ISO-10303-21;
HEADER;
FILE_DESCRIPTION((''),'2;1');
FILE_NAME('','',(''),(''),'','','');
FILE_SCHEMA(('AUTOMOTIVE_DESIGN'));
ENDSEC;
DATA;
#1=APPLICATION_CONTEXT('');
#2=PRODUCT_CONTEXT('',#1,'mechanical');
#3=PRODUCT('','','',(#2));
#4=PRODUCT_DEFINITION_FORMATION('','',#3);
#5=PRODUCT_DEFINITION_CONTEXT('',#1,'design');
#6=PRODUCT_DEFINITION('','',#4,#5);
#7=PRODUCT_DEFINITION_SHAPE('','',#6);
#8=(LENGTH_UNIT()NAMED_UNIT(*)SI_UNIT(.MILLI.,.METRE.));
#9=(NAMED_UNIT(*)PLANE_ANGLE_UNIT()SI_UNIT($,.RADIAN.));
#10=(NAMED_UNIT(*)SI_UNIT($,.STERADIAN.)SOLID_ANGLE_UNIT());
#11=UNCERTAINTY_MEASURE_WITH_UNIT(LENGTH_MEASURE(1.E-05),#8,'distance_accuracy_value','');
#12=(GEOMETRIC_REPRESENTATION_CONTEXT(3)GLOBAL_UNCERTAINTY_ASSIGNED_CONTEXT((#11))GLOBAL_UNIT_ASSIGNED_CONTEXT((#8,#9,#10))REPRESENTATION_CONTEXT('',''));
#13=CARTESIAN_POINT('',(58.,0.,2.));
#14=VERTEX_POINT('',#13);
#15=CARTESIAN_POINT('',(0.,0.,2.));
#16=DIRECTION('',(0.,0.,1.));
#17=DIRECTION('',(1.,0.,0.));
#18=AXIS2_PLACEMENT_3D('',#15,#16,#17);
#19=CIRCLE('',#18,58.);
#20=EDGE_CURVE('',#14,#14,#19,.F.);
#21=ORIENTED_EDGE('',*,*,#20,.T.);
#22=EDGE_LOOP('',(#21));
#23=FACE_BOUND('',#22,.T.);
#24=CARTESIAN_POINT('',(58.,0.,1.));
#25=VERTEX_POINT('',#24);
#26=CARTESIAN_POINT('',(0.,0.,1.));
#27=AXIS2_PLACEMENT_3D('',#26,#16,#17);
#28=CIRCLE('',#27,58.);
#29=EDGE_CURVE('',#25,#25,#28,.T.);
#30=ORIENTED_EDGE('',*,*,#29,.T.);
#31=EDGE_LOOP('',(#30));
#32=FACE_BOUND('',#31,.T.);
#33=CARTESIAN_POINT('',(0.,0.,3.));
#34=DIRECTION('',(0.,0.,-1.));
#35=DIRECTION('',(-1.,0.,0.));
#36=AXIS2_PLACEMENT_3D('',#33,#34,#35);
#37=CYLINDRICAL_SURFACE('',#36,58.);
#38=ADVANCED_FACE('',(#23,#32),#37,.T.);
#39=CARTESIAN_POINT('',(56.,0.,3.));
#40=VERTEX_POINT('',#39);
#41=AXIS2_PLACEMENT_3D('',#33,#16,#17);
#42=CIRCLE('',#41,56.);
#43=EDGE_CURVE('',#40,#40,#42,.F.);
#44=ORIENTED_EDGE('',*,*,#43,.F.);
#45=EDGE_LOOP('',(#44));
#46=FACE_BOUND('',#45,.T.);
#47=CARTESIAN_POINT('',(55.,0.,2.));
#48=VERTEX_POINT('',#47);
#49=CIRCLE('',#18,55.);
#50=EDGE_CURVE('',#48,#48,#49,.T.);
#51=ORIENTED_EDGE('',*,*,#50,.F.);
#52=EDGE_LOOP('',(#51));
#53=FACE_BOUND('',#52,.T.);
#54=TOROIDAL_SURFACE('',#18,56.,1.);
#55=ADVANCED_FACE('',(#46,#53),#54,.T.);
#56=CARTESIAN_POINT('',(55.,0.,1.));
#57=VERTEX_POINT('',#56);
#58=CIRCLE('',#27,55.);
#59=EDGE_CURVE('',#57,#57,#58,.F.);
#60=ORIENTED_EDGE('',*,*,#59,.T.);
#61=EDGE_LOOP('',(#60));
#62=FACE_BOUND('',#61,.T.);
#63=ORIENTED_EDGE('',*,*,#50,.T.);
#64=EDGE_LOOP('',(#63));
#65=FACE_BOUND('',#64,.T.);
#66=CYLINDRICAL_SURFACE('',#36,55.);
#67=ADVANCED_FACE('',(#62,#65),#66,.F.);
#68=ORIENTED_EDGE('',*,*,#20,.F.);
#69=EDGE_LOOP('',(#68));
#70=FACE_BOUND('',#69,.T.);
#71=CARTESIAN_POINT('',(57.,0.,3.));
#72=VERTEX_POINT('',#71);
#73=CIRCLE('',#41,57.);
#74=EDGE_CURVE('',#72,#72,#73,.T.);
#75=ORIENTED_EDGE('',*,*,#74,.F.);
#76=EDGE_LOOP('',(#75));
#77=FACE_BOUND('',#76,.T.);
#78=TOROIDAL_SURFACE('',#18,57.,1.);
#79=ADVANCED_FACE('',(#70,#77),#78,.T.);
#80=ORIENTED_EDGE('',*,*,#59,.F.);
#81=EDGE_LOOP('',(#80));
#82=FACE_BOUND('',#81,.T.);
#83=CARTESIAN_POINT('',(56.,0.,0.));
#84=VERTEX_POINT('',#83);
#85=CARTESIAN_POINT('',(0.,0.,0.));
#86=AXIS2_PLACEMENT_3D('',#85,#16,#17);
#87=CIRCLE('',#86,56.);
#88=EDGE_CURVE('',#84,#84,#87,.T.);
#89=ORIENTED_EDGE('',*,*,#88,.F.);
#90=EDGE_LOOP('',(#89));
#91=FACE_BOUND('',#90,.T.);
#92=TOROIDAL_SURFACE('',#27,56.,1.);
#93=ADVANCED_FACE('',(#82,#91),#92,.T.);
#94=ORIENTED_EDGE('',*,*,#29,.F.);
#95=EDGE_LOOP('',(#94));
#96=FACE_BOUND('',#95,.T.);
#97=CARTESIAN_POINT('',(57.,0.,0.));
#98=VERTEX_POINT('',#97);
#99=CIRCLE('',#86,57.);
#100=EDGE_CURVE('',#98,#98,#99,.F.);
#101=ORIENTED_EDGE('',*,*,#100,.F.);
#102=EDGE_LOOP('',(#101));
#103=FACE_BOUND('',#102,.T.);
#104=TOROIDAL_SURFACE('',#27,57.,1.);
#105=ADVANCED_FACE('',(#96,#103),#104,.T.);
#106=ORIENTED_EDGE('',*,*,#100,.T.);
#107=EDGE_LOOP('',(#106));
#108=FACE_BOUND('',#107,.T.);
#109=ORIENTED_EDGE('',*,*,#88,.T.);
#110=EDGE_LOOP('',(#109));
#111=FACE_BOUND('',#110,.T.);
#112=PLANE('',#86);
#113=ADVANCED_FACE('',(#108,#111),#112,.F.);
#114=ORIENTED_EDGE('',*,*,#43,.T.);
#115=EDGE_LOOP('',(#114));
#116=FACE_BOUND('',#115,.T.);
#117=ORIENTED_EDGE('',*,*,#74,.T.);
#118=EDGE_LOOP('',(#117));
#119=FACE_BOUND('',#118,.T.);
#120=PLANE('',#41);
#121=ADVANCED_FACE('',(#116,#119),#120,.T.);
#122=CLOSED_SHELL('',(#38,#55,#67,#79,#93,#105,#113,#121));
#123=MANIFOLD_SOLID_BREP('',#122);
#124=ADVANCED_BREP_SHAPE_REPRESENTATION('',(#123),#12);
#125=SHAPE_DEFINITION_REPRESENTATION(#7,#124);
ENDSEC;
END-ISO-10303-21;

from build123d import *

# Parameters (mm, degrees)
SCHIZZO1_R                   = 58
SCHIZZO1_R_2                 = 55
ESTRUSIONE_ESTRUSIONE1_DEPTH = 3
RACCORDO1_R                  = 1


with BuildPart() as part:
    # Schizzo1 → Estrusione-Estrusione1 (new body)
    with BuildSketch(Plane.XY):
        Circle(SCHIZZO1_R)
        Circle(SCHIZZO1_R_2, mode=Mode.SUBTRACT)
    extrude(amount=ESTRUSIONE_ESTRUSIONE1_DEPTH)

    # Raccordo1
    raccordo1_edges = [part.edges().sort_by_distance(p)[0] for p in [
        (-58, 0, 0),
        (-58, 0, 3),
        (-55, 0, 0),
        (-55, 0, 3),
    ]]
    fillet(raccordo1_edges, radius=RACCORDO1_R)


solid = part.part
